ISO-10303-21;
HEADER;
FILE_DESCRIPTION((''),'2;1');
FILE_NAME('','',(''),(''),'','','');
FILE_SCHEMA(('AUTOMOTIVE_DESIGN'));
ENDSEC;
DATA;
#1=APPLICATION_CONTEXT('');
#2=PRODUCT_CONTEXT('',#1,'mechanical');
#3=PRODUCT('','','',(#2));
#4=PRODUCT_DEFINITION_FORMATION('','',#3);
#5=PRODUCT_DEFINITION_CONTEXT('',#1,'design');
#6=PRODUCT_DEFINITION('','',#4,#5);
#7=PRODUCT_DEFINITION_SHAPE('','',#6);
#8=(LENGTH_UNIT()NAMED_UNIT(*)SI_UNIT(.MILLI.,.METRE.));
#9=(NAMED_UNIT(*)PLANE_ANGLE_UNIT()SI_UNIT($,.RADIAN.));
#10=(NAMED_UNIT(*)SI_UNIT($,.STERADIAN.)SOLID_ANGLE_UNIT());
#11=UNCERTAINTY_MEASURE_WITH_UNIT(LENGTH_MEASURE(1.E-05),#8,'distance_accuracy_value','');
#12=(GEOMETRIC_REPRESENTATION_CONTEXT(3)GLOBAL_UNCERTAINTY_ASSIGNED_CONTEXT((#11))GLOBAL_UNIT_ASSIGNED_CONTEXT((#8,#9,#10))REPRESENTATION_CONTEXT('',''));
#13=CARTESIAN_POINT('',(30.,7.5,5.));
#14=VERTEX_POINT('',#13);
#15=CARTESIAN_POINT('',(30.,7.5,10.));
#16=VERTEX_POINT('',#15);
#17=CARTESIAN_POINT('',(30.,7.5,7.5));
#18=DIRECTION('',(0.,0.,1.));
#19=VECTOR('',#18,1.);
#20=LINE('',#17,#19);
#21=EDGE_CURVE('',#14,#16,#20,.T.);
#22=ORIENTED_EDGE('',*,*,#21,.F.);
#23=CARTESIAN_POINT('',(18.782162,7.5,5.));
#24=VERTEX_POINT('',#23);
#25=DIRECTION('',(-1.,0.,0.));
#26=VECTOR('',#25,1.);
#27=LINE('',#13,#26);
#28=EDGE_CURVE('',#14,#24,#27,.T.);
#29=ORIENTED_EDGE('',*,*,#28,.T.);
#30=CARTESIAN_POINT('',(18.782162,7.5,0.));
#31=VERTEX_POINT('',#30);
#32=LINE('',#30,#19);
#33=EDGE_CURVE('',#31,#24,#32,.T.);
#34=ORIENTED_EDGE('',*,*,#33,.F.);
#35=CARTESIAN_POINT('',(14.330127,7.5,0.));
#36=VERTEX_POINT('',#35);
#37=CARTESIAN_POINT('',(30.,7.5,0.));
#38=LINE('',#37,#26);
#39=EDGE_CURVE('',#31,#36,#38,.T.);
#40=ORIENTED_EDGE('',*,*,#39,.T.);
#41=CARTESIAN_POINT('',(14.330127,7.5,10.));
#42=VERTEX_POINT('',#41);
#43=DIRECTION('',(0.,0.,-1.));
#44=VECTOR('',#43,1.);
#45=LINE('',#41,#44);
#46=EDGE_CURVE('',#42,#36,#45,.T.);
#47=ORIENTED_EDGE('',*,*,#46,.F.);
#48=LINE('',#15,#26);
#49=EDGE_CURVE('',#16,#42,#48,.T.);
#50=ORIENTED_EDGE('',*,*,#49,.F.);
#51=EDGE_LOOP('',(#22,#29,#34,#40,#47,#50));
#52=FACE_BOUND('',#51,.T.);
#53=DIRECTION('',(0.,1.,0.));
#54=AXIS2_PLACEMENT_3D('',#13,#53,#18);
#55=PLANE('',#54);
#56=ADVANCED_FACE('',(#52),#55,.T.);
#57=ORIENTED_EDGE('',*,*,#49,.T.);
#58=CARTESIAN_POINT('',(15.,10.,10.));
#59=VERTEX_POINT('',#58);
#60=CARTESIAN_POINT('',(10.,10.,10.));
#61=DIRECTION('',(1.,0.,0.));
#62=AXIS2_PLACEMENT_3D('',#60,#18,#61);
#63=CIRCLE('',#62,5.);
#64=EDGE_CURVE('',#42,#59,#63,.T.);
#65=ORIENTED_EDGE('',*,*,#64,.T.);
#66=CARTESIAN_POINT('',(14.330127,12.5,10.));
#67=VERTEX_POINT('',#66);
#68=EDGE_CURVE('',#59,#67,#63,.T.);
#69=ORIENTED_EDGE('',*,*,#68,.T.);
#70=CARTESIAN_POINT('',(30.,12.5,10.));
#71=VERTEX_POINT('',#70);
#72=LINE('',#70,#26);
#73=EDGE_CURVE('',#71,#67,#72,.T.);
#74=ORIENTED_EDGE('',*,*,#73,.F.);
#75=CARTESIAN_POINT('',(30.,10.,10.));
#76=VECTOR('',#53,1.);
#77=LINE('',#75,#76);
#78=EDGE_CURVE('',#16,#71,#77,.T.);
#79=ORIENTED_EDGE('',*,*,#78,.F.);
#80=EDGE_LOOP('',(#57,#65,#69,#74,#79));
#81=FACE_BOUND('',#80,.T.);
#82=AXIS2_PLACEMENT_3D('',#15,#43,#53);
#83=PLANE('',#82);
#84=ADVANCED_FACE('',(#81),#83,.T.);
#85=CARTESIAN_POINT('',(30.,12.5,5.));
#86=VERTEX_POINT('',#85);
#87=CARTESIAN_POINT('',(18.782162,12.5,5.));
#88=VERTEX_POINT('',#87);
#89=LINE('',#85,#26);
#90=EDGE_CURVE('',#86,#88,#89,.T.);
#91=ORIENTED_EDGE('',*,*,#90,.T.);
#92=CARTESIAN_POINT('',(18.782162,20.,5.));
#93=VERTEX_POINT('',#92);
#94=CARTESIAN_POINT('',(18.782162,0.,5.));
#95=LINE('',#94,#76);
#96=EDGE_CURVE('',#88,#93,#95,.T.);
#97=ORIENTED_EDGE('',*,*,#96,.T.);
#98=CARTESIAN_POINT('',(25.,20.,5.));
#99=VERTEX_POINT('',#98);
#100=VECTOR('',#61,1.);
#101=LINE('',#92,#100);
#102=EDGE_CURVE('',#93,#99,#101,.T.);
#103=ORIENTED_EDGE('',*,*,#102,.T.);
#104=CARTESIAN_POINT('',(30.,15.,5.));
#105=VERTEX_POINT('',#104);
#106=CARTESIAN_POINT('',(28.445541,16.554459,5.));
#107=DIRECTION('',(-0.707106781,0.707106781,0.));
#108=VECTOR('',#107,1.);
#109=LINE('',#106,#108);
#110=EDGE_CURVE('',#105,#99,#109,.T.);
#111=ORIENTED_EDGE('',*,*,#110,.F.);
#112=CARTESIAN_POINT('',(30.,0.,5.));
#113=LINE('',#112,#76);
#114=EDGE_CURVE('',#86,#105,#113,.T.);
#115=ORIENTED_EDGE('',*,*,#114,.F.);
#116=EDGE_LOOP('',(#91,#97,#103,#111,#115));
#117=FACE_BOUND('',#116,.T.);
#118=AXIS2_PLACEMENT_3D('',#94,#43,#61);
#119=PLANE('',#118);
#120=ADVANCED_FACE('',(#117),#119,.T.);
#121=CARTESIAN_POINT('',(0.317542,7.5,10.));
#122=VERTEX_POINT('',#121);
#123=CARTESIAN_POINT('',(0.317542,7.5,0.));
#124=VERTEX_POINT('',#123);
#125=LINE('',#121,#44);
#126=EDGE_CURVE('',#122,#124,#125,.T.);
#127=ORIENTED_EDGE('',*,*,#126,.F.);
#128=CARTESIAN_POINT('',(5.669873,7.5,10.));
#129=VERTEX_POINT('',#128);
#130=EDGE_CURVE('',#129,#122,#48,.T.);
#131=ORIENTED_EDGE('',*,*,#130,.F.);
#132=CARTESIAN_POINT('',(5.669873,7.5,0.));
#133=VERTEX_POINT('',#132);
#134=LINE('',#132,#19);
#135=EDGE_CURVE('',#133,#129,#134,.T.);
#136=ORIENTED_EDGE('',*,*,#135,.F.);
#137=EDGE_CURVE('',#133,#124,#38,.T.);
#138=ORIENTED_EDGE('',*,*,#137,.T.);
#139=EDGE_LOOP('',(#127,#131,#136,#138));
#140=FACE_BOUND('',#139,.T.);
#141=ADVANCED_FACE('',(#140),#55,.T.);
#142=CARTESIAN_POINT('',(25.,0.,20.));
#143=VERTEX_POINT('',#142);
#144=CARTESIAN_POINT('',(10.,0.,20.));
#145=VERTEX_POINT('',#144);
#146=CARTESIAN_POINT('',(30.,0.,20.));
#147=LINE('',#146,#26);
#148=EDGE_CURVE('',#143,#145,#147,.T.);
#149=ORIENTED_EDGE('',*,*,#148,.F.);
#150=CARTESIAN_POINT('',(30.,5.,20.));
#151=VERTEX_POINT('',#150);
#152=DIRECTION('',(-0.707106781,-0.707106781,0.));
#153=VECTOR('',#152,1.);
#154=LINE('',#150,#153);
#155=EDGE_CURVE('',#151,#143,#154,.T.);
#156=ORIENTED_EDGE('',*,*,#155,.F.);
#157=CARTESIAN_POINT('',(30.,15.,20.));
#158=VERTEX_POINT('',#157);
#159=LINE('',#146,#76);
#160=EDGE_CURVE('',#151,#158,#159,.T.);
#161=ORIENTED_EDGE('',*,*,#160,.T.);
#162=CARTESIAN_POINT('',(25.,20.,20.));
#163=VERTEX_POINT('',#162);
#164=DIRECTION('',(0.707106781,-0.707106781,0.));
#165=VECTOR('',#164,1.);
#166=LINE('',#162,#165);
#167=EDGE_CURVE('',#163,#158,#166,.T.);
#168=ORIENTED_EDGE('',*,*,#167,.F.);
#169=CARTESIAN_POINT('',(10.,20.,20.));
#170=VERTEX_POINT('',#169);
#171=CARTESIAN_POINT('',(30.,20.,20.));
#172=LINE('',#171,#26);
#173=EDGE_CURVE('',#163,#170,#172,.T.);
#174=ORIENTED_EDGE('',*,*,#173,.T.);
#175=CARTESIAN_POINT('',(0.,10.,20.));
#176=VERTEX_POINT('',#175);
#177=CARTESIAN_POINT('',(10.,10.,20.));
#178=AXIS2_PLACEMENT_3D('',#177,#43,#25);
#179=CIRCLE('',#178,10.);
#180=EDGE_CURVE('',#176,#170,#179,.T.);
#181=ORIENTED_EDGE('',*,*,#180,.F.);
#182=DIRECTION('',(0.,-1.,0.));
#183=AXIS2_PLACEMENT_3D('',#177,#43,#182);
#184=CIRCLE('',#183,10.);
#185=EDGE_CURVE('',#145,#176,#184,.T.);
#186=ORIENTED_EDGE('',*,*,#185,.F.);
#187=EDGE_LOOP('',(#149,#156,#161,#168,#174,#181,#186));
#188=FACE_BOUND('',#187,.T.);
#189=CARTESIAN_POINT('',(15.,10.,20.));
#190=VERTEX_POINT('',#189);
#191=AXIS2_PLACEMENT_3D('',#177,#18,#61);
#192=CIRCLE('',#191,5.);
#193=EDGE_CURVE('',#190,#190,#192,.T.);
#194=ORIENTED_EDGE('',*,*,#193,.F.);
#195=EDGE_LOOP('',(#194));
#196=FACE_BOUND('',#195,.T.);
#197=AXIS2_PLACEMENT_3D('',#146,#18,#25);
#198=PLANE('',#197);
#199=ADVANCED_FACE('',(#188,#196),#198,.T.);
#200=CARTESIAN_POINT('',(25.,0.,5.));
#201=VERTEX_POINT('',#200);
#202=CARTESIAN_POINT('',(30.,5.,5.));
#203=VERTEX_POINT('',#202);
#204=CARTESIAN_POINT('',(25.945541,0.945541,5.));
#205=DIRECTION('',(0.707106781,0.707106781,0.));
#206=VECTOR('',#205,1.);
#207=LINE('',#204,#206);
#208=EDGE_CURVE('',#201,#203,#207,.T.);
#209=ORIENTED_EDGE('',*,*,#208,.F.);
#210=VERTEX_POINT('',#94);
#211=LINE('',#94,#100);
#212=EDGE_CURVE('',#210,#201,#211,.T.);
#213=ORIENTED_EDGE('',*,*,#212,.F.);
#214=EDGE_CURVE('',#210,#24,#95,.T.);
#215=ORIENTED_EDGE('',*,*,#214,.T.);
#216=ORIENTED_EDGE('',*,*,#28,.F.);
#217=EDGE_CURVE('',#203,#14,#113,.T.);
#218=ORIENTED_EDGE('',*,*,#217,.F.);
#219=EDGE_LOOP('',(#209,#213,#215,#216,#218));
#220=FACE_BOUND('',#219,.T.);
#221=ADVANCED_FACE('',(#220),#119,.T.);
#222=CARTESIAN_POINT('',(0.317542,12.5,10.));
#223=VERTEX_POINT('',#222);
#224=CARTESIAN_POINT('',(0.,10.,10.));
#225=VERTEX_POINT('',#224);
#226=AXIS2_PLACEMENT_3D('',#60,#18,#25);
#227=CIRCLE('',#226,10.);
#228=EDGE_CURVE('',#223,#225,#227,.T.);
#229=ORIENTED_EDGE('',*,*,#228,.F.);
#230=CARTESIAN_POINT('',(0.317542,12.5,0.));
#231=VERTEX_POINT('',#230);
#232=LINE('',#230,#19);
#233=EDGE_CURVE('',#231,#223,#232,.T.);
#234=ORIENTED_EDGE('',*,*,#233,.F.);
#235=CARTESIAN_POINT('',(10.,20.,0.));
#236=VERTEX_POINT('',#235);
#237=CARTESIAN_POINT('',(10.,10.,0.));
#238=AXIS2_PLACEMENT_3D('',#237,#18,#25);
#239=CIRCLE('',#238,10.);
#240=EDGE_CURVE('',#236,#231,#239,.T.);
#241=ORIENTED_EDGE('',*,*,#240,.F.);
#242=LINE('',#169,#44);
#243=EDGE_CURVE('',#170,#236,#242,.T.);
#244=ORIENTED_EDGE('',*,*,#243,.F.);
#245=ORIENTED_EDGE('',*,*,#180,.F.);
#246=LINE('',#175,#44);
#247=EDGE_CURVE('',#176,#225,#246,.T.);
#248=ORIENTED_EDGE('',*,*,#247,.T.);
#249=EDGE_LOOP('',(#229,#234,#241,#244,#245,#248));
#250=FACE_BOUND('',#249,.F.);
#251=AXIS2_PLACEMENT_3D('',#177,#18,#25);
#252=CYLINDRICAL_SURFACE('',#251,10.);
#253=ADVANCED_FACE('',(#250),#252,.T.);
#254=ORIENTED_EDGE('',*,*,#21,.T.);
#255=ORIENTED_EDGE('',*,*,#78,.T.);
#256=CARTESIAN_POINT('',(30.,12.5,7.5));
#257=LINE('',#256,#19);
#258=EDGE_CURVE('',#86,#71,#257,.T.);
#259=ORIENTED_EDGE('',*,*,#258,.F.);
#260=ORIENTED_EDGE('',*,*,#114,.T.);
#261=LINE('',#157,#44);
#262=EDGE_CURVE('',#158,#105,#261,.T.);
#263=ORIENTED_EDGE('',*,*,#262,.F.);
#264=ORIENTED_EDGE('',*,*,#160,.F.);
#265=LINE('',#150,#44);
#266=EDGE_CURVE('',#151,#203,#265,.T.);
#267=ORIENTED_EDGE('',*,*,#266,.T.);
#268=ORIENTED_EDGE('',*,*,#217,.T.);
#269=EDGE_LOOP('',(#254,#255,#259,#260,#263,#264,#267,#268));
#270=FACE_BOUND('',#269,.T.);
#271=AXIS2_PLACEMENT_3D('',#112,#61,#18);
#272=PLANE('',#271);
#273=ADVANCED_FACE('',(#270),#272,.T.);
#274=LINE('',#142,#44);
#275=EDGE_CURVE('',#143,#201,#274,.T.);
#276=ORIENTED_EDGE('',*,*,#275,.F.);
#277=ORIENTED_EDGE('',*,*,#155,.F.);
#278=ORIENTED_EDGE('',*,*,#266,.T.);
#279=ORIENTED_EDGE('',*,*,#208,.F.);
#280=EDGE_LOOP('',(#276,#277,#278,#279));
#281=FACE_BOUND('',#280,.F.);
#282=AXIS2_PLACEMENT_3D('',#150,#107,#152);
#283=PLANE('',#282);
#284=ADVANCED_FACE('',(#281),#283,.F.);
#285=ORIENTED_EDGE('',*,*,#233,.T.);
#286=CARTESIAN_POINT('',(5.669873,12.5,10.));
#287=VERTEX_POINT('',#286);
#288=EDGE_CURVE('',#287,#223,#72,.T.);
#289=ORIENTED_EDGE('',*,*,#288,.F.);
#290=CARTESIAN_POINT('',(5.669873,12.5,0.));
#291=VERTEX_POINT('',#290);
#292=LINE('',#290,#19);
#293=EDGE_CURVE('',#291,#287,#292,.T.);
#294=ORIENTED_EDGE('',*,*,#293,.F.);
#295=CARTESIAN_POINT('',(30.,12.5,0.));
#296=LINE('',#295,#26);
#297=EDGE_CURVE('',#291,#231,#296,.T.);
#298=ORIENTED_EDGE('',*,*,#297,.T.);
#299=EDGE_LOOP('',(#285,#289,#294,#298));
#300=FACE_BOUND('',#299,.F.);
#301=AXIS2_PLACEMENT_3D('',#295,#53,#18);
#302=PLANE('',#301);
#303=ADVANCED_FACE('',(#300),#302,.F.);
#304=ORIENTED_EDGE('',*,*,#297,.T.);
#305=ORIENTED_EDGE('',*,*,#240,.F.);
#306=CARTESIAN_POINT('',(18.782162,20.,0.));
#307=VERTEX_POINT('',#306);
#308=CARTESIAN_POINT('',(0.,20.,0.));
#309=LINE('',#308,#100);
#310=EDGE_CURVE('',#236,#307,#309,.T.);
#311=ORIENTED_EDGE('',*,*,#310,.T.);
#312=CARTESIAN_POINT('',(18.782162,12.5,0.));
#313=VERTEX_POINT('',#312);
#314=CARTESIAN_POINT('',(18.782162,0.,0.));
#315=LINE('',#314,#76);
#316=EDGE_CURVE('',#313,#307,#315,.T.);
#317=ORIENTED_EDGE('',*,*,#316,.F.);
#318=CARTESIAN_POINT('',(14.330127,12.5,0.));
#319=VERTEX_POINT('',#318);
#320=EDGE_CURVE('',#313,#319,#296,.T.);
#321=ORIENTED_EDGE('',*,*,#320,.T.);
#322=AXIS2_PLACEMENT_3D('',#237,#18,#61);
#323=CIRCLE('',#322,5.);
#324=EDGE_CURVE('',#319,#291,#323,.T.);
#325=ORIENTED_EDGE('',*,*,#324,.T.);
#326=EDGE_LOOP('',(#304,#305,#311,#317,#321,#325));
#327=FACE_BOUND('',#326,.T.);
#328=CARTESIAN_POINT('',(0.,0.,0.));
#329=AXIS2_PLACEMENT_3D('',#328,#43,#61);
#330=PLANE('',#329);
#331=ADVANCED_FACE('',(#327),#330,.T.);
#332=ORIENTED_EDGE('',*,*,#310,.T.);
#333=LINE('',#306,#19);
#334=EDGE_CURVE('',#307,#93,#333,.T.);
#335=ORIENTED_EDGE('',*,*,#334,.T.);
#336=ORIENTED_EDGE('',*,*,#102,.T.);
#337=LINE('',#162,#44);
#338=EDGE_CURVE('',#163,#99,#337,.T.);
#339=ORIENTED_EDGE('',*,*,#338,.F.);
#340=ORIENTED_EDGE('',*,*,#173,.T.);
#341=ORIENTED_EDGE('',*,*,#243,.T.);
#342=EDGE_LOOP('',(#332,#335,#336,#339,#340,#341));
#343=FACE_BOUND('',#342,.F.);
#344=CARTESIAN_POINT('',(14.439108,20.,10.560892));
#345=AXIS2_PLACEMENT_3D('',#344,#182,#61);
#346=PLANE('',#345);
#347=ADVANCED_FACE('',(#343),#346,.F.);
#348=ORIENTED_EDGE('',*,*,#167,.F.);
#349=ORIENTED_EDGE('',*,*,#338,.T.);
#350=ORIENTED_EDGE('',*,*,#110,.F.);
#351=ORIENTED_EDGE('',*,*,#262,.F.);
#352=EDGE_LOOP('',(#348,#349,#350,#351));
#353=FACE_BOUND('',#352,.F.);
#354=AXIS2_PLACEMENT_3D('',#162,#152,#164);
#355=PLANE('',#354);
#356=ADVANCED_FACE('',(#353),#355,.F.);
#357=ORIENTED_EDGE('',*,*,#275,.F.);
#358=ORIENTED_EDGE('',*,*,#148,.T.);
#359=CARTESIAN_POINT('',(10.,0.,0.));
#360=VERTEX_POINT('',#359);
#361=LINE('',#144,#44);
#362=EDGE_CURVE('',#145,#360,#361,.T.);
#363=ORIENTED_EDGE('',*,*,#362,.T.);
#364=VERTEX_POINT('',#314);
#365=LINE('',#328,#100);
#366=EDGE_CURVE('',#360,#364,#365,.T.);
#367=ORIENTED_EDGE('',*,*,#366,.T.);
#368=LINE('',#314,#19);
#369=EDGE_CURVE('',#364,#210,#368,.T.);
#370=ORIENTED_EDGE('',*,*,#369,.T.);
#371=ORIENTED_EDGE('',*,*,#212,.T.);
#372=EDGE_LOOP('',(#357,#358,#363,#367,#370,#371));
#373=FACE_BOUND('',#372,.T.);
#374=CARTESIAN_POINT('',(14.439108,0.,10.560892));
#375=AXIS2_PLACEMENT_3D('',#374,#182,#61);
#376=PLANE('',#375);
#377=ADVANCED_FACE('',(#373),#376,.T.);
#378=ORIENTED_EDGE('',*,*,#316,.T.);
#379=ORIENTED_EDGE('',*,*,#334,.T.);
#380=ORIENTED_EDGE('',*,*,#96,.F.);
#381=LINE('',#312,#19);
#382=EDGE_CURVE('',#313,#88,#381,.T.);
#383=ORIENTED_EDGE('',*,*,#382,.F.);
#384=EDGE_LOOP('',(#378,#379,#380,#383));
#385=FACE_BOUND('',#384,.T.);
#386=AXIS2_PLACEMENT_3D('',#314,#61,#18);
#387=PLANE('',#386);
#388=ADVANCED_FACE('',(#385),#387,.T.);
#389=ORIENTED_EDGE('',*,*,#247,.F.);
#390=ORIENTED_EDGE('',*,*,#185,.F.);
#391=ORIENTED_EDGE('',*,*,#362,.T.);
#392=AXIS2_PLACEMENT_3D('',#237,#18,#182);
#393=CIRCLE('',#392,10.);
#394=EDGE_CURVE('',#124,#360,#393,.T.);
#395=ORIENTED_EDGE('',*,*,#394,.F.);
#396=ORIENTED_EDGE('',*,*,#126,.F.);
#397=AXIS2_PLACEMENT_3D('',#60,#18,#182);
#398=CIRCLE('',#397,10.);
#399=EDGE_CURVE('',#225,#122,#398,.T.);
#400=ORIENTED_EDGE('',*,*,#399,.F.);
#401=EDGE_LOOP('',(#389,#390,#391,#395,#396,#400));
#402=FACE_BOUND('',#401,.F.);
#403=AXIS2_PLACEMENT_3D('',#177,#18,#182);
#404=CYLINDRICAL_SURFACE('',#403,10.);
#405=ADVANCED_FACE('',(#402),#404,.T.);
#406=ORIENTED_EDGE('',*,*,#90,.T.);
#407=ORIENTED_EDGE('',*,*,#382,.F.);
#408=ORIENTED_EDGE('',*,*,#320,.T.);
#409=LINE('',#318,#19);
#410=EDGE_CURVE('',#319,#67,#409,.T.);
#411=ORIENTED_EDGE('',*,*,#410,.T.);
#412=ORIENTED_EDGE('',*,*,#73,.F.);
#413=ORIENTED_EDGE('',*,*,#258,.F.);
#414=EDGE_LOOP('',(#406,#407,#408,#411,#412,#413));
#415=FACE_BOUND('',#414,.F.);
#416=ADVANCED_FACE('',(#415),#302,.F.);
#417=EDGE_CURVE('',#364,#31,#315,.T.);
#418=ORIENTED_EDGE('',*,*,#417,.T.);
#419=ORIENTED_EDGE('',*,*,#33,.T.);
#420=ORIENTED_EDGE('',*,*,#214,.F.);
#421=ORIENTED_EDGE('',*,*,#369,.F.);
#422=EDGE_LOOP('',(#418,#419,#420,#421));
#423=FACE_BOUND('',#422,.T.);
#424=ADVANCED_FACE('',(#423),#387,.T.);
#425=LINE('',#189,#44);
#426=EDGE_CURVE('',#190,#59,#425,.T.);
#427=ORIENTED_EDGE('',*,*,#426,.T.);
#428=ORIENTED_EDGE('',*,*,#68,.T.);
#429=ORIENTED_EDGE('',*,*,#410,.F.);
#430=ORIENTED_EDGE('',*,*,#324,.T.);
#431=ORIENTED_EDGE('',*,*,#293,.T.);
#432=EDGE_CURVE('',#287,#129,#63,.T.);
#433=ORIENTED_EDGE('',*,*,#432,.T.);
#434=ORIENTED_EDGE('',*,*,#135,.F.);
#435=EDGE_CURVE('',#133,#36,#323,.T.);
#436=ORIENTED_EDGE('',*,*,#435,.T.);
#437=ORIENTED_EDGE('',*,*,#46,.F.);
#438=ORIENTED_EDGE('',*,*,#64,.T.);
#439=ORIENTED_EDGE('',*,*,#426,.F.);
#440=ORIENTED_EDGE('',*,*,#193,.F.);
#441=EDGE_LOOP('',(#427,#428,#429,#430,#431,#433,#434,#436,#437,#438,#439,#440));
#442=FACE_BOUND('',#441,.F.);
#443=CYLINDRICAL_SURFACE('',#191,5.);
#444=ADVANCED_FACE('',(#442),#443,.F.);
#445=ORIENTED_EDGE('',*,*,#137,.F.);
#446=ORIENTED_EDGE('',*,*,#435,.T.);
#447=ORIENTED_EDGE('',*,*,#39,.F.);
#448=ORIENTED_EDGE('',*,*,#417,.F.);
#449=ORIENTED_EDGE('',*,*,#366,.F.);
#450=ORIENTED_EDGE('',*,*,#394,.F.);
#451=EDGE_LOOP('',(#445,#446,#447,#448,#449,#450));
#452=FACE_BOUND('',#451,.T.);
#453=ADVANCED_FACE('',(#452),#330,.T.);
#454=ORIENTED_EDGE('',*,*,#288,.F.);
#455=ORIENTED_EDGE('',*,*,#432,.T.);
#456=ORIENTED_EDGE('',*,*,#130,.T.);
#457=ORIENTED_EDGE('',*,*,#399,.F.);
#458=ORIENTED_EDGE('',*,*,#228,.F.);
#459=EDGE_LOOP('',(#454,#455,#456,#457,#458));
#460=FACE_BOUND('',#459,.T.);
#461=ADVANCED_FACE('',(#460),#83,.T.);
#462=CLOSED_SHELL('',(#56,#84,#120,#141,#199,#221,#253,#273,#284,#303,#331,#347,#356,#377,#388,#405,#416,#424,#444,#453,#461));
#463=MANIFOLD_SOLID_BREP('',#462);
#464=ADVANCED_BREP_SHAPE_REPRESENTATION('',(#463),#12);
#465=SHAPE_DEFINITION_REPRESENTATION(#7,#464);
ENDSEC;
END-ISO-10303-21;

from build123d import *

# Parameters (mm, degrees)
F1_DEPTH  = 20
F3_DEPTH  = 25
F4_DEPTH  = 25
F6_DEPTH  = 25
F7_DEPTH  = 25
F2_R      = 5
F8_DEPTH  = 30
F5_W      = 5
F5_H      = 5
F9_DEPTH  = 50
F10_DEPTH = 50


with BuildPart() as f1:
    # F0 (on Front) → F1 (new body)
    with BuildSketch(Plane.XZ):
        Polygon((0, 20), (0, 0), (18.7821621219, 0), (18.7821621219, 5), (30, 5), (30, 20), align=None)
    extrude(amount=-F1_DEPTH)

    # F2 (on face) → F3 (cut)
    with BuildSketch(Plane.XY.offset(20)):
        with BuildLine():
            ThreePointArc((0, 10), (2.9289321881, 17.0710678119), (10, 20))
            Line((10, 20), (0, 20))
            Line((0, 20), (0, 10))
        make_face()
    extrude(amount=-F3_DEPTH, mode=Mode.SUBTRACT)

    # F2 (on face) → F4 (cut)
    with BuildSketch(Plane.XY.offset(20)):
        with BuildLine():
            Line((0, 0), (10, 0))
            ThreePointArc((10, 0), (2.9289321881, 2.9289321881), (0, 10))
            Line((0, 10), (0, 0))
        make_face()
    extrude(amount=-F4_DEPTH, mode=Mode.SUBTRACT)

    # F2 (on face) → F6 (cut)
    with BuildSketch(Plane.XY.offset(20)):
        Polygon((30, 20), (25, 20), (30, 15), align=None)
    extrude(amount=-F6_DEPTH, mode=Mode.SUBTRACT)

    # F2 (on face) → F7 (cut)
    with BuildSketch(Plane.XY.offset(20)):
        Polygon((30, 5), (25, 0), (30, 0), align=None)
    extrude(amount=-F7_DEPTH, mode=Mode.SUBTRACT)

    # F2 (on face) → F8 (cut)
    with BuildSketch(Plane.XY.offset(20)):
        with Locations((10, 10)):
            Circle(F2_R)
    extrude(amount=-F8_DEPTH, mode=Mode.SUBTRACT)

    # F5 (on face) → F9 (cut)
    with BuildSketch(Plane.YZ.offset(30)):
        with Locations((10, 7.5)):
            Rectangle(F5_W, F5_H)
    extrude(amount=-F9_DEPTH, mode=Mode.SUBTRACT)

    # F5 (on face) → F10 (cut)
    with BuildSketch(Plane.YZ.offset(30)):
        with Locations((10, 2.5)):
            Rectangle(F5_W, F5_H)
    extrude(amount=-F10_DEPTH, mode=Mode.SUBTRACT)


solid = f1.part
